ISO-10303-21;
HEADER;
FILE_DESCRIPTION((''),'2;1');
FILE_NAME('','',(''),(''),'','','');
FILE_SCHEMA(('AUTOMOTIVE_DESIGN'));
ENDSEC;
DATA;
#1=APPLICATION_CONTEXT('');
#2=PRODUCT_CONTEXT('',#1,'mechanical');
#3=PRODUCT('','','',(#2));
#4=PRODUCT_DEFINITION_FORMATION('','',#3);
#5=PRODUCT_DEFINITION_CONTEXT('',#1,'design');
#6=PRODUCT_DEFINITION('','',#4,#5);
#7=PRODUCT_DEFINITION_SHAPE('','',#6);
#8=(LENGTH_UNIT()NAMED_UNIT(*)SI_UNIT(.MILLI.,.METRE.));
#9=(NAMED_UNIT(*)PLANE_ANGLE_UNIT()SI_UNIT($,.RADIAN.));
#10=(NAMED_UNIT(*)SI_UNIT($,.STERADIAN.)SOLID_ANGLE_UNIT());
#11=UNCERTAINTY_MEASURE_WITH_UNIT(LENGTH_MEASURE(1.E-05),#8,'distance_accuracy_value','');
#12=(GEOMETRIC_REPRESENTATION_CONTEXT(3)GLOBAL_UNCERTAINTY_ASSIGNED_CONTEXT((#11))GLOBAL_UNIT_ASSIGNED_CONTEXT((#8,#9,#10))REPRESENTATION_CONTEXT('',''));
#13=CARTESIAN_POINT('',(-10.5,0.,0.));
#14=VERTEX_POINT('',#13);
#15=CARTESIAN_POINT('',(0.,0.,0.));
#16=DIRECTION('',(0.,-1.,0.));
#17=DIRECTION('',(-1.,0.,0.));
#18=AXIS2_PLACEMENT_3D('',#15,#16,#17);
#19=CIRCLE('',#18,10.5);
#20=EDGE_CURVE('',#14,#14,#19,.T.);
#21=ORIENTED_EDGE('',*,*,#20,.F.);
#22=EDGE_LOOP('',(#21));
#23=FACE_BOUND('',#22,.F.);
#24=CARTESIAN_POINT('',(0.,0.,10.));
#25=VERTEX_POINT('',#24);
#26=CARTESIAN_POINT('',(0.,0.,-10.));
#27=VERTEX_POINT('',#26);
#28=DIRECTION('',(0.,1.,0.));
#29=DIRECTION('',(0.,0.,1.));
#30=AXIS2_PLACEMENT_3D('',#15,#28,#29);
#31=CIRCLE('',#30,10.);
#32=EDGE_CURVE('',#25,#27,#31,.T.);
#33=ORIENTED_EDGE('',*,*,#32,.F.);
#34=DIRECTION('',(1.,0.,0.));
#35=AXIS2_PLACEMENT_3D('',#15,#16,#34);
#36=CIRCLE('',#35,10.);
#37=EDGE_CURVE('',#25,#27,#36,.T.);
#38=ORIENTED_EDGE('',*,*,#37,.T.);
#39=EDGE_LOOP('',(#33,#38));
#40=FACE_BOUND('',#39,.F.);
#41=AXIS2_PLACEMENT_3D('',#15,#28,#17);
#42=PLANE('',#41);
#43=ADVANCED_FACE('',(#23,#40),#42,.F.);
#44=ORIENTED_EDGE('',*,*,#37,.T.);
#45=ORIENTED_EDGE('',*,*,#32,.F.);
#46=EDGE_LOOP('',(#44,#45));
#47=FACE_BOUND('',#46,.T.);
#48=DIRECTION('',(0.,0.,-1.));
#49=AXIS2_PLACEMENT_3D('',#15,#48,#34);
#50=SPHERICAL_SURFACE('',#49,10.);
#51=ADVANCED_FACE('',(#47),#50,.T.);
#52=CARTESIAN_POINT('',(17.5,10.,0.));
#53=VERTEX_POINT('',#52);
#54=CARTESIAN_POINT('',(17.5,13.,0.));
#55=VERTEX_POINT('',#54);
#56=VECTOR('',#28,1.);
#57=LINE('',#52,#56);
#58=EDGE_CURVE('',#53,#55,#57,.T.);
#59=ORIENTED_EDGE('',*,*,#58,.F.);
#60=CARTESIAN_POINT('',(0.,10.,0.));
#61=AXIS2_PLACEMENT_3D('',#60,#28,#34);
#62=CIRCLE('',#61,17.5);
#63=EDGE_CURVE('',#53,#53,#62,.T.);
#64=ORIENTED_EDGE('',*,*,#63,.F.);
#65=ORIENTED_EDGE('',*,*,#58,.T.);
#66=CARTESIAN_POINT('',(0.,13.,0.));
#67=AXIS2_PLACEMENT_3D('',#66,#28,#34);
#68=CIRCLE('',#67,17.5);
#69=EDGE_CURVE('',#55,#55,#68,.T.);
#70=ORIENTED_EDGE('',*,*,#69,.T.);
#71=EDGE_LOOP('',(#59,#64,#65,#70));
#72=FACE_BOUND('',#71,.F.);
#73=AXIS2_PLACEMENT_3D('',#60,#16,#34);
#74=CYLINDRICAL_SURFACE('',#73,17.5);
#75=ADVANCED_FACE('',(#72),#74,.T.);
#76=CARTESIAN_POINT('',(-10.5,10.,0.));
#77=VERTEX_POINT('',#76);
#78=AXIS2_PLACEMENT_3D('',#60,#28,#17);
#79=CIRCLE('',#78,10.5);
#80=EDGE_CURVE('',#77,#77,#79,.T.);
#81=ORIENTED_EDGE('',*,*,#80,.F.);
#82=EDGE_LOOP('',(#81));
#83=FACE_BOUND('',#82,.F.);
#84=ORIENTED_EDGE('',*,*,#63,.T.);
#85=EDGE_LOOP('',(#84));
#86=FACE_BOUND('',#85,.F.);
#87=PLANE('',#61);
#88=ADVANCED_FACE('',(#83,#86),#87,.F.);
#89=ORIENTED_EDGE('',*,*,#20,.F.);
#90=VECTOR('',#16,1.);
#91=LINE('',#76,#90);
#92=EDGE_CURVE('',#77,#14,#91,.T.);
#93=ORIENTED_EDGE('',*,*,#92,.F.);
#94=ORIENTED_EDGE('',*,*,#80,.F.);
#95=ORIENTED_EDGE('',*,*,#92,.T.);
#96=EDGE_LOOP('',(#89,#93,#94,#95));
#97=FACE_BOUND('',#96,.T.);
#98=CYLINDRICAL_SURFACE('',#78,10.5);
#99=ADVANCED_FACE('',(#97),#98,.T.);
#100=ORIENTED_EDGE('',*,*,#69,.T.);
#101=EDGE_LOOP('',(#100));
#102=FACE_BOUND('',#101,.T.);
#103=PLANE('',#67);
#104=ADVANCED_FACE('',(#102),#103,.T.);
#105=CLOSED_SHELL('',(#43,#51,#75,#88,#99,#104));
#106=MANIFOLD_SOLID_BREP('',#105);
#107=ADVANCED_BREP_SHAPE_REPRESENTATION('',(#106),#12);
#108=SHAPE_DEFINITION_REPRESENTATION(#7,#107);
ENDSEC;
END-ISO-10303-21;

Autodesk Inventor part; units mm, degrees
ref_plane "YZ Plane" through (0, 0, 0) normal (1, 0, 0) x (0, 1, 0)
ref_plane "XY Plane" through (0, 0, 0) normal (0, 0, 1) x (1, 0, 0)
sketch "Sketch1" plane through (0, 0, 0) normal (0, 1, 0) x (-1, 0, 0)
  arc A0 (0, 10) -> (0, -10) centre (0, 0) ccw
  line L0 (0, 10) -> (0, -10)
  dimension "d0" = 20
revolve "Revolution1" add sketch "Sketch1" angle 360 about axis through (0, 0, 10) along (0, 0, -1)
ref_plane "Work Plane1" through (0, 10, 0) normal (0, 1, 0) x (-1, 0, 0)
sketch "Sketch2" plane through (0, 10, 0) normal (0, 1, 0) x (-1, 0, 0)
  circle A0 centre (0, 0) radius 10.5
  dimension "d2" = 21
sketch "Sketch3" plane through (0, 0, 0) normal (0, 1, 0) x (-1, 0, 0)
  arc A0 (0, 10.5) -> (0, -10.5) centre (0, 0) ccw
  line L0 (0, 10.5) -> (0, -10.5)
  dimension "d3" = 21
revolve "Revolution2" add sketch "Sketch3" angle 180 about axis through (0, 0, 10.5) along (0, 0, 1)
extrude "Extrusion1" add sketch "Sketch2" against normal up to next
sketch "Sketch4" plane through (0, 10, 0) normal (0, 1, 0) x (1, 0, 0)
  circle A0 centre (0, 0) radius 3.2016 projected
  circle A1 centre (0, 0) radius 17.5
  dimension "d7" = 35
extrude "Extrusion2" add sketch "Sketch4" along normal blind 3 contours A0 | A1
properties part number "chasis wheel"
